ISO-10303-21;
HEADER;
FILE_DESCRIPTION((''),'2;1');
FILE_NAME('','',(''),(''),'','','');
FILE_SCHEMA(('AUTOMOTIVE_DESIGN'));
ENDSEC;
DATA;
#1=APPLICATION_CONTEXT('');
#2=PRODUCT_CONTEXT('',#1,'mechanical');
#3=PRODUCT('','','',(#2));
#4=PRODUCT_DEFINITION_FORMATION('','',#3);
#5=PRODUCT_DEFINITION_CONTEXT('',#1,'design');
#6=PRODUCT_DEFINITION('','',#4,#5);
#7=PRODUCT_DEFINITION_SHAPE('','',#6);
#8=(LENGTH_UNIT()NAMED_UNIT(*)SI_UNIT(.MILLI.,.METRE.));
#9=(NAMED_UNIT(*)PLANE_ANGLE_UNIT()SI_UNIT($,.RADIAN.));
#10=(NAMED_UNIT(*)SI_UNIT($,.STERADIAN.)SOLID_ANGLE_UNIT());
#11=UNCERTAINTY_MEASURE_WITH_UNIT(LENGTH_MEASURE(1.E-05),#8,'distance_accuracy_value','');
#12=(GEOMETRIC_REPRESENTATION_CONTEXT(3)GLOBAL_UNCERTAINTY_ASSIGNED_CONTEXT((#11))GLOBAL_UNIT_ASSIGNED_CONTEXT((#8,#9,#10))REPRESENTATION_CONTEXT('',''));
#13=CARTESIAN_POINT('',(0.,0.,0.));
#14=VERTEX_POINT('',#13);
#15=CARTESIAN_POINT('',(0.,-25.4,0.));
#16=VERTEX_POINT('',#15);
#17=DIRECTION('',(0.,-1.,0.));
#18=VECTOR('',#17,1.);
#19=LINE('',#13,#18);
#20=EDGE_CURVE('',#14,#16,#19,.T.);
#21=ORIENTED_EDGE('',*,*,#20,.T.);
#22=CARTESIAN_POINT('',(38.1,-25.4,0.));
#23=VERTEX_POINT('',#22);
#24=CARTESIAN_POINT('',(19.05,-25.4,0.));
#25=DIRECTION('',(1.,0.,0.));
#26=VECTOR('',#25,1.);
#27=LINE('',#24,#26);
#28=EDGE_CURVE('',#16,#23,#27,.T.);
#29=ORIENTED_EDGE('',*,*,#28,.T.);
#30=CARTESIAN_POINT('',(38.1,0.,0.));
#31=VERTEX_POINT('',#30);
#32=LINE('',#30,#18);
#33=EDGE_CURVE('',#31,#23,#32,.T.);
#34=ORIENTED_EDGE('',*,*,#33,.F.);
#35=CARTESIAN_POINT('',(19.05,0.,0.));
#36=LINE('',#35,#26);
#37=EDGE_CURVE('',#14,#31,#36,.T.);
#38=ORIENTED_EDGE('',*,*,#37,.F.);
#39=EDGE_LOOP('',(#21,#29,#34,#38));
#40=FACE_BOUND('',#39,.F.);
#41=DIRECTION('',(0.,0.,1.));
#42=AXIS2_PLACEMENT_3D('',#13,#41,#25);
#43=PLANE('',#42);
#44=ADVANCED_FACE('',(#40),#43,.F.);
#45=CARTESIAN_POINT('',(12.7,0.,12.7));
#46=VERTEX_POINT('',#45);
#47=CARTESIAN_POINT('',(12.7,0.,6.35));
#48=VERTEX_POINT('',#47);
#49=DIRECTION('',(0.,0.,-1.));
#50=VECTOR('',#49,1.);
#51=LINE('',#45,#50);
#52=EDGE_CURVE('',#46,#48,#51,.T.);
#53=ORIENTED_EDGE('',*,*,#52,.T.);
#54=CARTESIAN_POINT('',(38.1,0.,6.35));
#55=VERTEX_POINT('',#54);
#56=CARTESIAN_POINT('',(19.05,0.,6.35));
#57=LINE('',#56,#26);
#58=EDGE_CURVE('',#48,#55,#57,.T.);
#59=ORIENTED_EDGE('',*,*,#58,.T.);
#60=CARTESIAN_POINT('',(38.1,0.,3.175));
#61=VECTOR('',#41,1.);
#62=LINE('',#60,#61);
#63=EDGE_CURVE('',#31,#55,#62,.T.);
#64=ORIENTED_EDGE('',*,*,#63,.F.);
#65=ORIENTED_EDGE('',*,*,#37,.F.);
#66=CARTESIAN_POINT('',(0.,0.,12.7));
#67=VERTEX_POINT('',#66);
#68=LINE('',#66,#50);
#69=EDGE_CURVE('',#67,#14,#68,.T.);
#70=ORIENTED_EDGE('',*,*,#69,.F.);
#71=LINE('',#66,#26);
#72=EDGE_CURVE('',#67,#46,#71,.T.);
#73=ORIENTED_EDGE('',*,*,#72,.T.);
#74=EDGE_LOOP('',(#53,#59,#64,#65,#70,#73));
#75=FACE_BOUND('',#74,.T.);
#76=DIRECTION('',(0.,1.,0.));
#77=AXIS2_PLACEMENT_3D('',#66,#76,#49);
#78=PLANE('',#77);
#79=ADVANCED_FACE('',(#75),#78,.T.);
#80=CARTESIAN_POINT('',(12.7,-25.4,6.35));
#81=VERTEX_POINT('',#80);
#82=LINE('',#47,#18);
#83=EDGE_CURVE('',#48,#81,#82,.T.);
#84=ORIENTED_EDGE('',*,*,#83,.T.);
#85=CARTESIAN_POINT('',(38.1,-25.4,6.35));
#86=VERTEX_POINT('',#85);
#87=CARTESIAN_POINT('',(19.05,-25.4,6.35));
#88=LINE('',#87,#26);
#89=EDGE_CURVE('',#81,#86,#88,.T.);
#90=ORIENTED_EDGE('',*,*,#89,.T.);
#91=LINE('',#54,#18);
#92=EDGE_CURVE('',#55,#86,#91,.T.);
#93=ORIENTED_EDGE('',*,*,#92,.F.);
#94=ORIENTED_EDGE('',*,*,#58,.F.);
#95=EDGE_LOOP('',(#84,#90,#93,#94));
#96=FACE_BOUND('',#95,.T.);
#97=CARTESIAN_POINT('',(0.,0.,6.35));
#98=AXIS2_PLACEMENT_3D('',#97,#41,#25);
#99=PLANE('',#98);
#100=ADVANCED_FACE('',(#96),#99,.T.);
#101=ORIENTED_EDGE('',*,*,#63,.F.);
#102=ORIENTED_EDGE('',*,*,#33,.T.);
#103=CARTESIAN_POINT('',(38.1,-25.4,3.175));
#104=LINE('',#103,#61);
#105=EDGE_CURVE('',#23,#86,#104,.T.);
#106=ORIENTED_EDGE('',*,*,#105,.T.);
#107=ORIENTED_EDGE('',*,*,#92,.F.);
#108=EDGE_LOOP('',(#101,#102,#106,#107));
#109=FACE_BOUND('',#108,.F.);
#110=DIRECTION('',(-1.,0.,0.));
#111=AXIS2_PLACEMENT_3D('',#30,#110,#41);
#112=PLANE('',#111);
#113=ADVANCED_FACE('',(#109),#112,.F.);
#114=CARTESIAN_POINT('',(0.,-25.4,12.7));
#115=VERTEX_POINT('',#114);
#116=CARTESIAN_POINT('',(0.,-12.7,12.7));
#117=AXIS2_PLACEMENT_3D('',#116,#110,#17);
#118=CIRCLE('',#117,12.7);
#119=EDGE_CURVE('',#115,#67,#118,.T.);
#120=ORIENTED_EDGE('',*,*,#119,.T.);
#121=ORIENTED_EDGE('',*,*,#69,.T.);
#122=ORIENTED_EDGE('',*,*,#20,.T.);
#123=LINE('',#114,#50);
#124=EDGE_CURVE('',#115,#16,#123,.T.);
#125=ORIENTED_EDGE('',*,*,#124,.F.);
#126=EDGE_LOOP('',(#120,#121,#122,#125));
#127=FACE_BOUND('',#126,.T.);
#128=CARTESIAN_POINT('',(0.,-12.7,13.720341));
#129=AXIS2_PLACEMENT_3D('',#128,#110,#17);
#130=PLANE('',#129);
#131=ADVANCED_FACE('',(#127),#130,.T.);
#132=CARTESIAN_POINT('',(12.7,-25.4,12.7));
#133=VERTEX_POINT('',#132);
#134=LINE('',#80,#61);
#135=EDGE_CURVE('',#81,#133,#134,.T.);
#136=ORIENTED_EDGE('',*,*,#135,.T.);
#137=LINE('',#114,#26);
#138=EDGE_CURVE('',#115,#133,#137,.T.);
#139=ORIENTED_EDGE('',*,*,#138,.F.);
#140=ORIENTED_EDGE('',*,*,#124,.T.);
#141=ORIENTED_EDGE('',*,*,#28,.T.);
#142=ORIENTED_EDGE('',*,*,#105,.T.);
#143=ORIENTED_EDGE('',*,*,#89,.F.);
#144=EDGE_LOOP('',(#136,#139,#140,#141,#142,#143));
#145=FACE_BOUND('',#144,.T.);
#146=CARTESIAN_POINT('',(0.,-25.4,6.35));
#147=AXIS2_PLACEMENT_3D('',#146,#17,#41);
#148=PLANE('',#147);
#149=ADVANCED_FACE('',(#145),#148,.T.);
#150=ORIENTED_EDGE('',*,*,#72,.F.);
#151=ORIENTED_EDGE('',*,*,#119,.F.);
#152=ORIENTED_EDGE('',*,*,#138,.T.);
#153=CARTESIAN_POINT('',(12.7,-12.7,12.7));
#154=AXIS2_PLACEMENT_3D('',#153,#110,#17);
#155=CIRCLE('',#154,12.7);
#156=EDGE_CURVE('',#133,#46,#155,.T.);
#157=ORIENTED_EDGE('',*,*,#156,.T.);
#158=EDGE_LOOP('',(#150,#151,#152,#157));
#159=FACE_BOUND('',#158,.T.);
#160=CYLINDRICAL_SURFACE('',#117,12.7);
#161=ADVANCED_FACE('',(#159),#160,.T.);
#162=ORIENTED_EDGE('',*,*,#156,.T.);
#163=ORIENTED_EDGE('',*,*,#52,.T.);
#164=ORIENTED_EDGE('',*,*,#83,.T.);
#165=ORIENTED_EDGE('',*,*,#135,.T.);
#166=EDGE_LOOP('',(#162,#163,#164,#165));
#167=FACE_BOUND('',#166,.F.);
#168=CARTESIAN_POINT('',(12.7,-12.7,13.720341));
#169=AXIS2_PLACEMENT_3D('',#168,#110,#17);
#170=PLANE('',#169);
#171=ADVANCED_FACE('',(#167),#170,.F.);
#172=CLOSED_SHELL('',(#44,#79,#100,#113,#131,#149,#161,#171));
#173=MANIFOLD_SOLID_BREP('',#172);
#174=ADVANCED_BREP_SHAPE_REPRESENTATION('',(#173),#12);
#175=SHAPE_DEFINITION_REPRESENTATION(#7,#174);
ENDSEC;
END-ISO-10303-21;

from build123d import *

# Parameters (mm, degrees)
F0_W     = 38.1
F0_H     = 6.35
F1_DEPTH = 25.4
F3_DEPTH = 12.7


with BuildPart() as f1:
    # F0 (on Front) → F1 (new body)
    with BuildSketch(Plane.XZ):
        with Locations((19.05, 3.175)):
            Rectangle(F0_W, F0_H)
    extrude(amount=F1_DEPTH)

    # F2 (on face) → F3 (join)
    with BuildSketch(Plane(origin=(0, 0, 0), x_dir=(0, -1, 0), z_dir=(-1, 0, 0))):
        with BuildLine():
            Line((0, 6.35), (25.4, 6.35))
            Line((25.4, 6.35), (25.4, 12.7))
            ThreePointArc((25.4, 12.7), (12.7, 25.4), (0, 12.7))
            Line((0, 12.7), (0, 6.35))
        make_face()
    extrude(amount=-F3_DEPTH)


solid = f1.part
